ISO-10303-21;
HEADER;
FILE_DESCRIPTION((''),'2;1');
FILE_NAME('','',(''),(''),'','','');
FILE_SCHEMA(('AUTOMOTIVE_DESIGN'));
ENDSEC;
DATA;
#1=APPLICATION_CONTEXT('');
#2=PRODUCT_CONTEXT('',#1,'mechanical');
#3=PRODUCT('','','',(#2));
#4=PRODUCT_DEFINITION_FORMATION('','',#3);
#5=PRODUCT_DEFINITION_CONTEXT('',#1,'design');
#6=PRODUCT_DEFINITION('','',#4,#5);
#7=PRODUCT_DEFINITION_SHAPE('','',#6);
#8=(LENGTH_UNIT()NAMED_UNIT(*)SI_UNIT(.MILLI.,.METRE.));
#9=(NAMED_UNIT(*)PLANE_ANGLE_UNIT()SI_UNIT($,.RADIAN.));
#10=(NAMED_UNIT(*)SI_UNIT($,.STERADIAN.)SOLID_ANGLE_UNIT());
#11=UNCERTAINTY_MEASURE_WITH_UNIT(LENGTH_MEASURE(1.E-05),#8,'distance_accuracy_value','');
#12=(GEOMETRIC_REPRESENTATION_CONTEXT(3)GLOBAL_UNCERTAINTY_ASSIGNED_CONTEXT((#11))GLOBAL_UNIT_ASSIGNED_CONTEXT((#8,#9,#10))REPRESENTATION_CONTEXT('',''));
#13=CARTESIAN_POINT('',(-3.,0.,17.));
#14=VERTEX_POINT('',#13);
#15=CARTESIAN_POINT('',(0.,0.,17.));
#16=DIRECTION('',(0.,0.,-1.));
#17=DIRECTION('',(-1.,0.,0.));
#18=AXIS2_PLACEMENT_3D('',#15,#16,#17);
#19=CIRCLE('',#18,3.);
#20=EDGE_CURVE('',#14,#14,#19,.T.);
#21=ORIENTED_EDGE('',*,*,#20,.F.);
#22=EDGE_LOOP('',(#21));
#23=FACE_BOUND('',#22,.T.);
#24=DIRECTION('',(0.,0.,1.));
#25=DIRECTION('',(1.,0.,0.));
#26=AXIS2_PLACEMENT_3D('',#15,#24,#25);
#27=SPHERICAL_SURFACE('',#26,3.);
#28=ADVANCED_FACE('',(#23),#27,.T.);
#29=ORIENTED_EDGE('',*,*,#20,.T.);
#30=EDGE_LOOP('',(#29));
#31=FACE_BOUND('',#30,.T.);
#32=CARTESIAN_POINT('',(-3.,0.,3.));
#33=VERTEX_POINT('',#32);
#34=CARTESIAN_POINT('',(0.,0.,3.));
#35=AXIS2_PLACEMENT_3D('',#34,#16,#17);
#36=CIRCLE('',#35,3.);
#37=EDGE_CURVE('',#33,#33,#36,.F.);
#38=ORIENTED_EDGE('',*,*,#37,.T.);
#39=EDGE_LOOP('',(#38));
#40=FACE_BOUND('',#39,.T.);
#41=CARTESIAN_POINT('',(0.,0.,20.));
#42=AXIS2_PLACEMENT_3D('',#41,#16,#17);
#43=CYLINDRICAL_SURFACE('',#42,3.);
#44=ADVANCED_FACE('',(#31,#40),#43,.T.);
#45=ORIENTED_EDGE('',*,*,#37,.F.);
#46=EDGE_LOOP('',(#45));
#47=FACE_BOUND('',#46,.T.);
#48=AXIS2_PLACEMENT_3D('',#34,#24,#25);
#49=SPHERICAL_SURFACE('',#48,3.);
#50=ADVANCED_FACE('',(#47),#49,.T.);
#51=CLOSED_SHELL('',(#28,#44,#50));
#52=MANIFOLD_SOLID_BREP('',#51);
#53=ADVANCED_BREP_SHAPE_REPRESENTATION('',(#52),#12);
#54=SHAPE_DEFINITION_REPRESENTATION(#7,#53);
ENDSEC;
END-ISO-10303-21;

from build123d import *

# Parameters (mm, degrees)
CROQUIS1_R              = 3
SALIENTE_EXTRUIR1_DEPTH = 20
REDONDEO1_R             = 3


with BuildPart() as part:
    # Croquis1 → Saliente-Extruir1 (new body)
    with BuildSketch(Plane.XY):
        Circle(CROQUIS1_R)
    extrude(amount=SALIENTE_EXTRUIR1_DEPTH)

    # Redondeo1
    redondeo1_edges = [part.edges().sort_by_distance(p)[0] for p in [
        (-3, 0, 0),
        (-3, 0, 20),
    ]]
    fillet(redondeo1_edges, radius=REDONDEO1_R)


solid = part.part
